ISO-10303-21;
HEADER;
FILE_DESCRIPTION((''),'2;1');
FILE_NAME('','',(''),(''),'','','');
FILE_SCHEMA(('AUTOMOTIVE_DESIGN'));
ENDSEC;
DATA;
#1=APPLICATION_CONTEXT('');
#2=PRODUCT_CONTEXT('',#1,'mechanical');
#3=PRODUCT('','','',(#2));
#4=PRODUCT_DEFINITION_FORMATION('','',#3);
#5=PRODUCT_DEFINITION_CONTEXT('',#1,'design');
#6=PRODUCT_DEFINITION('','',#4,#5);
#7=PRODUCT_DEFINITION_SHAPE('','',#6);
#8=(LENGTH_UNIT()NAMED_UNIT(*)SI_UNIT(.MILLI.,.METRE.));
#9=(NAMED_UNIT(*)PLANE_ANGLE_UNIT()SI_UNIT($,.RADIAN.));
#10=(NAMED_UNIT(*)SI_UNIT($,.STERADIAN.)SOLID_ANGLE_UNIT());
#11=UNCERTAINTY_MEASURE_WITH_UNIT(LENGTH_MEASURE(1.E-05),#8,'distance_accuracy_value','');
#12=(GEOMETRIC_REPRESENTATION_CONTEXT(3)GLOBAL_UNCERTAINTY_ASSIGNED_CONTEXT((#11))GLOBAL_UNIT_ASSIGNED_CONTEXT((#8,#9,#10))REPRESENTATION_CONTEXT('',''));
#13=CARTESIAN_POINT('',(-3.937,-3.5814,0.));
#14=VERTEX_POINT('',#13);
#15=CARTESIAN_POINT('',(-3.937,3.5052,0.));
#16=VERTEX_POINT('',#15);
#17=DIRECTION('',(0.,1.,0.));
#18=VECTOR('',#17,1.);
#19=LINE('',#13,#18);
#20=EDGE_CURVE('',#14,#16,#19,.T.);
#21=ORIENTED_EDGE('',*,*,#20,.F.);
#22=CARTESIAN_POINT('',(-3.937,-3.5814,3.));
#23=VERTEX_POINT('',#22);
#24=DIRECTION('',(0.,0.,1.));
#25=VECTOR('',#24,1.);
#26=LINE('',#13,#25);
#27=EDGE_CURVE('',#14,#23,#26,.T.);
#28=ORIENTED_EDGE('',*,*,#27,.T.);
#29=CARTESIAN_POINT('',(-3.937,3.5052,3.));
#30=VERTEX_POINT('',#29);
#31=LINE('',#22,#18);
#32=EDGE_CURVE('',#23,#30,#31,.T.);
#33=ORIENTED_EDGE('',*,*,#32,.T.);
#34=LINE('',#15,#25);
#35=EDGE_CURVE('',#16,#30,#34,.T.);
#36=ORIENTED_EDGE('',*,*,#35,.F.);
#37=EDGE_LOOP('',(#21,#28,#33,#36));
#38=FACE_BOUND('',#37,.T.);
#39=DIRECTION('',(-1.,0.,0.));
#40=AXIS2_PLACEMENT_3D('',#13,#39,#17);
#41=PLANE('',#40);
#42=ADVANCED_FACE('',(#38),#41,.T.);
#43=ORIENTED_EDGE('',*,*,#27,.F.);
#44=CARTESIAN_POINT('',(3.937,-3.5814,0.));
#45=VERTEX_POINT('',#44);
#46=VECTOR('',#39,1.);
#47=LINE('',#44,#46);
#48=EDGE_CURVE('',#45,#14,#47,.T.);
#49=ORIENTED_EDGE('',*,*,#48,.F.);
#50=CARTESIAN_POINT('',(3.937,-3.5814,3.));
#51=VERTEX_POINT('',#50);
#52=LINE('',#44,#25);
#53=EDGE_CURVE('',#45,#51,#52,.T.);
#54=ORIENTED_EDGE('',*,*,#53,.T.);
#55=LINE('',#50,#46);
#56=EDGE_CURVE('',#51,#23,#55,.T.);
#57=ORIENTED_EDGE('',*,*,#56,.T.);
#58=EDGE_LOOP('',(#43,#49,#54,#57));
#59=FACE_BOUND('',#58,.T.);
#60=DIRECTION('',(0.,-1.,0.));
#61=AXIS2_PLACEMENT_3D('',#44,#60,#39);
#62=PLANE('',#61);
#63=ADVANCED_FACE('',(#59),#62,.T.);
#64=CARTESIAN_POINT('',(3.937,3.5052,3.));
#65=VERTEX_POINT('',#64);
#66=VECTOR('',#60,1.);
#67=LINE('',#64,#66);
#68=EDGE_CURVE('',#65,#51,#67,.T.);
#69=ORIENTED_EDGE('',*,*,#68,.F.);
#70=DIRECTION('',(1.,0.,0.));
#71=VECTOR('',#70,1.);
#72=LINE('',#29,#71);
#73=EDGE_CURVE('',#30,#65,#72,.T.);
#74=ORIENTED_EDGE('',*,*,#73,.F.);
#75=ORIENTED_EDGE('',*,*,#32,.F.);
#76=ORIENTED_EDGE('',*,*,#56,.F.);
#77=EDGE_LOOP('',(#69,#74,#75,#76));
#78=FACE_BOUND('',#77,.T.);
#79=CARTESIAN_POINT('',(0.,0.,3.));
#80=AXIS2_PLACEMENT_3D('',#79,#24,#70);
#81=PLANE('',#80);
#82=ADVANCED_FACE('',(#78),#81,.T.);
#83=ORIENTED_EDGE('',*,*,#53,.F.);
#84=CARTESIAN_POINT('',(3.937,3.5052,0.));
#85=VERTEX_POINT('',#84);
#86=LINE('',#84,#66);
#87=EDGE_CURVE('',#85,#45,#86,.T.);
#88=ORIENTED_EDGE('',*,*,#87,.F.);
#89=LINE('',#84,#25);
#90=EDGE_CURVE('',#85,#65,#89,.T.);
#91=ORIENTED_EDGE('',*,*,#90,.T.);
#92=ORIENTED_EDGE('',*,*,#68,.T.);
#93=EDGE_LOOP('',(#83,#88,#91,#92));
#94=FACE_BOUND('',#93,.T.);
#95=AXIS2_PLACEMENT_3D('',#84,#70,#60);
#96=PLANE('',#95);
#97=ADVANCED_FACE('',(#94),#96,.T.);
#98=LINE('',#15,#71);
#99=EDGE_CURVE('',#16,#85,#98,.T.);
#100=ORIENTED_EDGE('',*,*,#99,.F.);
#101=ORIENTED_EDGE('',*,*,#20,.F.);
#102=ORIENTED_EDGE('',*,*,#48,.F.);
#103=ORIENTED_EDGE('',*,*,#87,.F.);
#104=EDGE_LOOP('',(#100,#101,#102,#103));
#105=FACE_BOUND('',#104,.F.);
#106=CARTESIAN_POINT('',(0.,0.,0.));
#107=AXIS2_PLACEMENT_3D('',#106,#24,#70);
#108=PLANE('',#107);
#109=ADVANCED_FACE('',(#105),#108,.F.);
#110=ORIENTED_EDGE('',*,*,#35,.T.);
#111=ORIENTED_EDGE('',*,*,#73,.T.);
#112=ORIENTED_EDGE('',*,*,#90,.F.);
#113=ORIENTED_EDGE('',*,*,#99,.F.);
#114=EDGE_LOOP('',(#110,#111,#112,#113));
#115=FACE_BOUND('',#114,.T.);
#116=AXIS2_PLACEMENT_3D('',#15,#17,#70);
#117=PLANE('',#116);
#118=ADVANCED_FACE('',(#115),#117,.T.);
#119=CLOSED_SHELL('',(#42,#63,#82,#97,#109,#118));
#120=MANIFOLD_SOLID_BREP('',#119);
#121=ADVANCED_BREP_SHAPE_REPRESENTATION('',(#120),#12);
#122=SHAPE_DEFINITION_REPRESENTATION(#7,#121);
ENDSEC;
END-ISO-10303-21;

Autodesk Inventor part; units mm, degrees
ref_plane "YZ Plane" through (0, 0, 0) normal (1, 0, 0) x (0, 1, 0)
ref_plane "XZ Plane" through (0, 0, 0) normal (0, 1, 0) x (-1, 0, 0)
ref_plane "XY Plane" through (0, 0, 0) normal (0, 0, 1) x (1, 0, 0)
sketch "IND_ELL6XH, 10UH_40" plane through (0, 0, 0) normal (0, 0, 1) x (1, 0, 0)
  line L0 (-3.937, 3.5052) -> (3.937, 3.5052)
  line L1 (3.937, 3.5052) -> (3.937, -3.5814)
  line L2 (3.937, -3.5814) -> (-3.937, -3.5814)
  line L3 (-3.937, -3.5814) -> (-3.937, 3.5052)
extrude "Extrusion1" add sketch "IND_ELL6XH, 10UH_40" along normal blind 3
properties part number "10UH"
